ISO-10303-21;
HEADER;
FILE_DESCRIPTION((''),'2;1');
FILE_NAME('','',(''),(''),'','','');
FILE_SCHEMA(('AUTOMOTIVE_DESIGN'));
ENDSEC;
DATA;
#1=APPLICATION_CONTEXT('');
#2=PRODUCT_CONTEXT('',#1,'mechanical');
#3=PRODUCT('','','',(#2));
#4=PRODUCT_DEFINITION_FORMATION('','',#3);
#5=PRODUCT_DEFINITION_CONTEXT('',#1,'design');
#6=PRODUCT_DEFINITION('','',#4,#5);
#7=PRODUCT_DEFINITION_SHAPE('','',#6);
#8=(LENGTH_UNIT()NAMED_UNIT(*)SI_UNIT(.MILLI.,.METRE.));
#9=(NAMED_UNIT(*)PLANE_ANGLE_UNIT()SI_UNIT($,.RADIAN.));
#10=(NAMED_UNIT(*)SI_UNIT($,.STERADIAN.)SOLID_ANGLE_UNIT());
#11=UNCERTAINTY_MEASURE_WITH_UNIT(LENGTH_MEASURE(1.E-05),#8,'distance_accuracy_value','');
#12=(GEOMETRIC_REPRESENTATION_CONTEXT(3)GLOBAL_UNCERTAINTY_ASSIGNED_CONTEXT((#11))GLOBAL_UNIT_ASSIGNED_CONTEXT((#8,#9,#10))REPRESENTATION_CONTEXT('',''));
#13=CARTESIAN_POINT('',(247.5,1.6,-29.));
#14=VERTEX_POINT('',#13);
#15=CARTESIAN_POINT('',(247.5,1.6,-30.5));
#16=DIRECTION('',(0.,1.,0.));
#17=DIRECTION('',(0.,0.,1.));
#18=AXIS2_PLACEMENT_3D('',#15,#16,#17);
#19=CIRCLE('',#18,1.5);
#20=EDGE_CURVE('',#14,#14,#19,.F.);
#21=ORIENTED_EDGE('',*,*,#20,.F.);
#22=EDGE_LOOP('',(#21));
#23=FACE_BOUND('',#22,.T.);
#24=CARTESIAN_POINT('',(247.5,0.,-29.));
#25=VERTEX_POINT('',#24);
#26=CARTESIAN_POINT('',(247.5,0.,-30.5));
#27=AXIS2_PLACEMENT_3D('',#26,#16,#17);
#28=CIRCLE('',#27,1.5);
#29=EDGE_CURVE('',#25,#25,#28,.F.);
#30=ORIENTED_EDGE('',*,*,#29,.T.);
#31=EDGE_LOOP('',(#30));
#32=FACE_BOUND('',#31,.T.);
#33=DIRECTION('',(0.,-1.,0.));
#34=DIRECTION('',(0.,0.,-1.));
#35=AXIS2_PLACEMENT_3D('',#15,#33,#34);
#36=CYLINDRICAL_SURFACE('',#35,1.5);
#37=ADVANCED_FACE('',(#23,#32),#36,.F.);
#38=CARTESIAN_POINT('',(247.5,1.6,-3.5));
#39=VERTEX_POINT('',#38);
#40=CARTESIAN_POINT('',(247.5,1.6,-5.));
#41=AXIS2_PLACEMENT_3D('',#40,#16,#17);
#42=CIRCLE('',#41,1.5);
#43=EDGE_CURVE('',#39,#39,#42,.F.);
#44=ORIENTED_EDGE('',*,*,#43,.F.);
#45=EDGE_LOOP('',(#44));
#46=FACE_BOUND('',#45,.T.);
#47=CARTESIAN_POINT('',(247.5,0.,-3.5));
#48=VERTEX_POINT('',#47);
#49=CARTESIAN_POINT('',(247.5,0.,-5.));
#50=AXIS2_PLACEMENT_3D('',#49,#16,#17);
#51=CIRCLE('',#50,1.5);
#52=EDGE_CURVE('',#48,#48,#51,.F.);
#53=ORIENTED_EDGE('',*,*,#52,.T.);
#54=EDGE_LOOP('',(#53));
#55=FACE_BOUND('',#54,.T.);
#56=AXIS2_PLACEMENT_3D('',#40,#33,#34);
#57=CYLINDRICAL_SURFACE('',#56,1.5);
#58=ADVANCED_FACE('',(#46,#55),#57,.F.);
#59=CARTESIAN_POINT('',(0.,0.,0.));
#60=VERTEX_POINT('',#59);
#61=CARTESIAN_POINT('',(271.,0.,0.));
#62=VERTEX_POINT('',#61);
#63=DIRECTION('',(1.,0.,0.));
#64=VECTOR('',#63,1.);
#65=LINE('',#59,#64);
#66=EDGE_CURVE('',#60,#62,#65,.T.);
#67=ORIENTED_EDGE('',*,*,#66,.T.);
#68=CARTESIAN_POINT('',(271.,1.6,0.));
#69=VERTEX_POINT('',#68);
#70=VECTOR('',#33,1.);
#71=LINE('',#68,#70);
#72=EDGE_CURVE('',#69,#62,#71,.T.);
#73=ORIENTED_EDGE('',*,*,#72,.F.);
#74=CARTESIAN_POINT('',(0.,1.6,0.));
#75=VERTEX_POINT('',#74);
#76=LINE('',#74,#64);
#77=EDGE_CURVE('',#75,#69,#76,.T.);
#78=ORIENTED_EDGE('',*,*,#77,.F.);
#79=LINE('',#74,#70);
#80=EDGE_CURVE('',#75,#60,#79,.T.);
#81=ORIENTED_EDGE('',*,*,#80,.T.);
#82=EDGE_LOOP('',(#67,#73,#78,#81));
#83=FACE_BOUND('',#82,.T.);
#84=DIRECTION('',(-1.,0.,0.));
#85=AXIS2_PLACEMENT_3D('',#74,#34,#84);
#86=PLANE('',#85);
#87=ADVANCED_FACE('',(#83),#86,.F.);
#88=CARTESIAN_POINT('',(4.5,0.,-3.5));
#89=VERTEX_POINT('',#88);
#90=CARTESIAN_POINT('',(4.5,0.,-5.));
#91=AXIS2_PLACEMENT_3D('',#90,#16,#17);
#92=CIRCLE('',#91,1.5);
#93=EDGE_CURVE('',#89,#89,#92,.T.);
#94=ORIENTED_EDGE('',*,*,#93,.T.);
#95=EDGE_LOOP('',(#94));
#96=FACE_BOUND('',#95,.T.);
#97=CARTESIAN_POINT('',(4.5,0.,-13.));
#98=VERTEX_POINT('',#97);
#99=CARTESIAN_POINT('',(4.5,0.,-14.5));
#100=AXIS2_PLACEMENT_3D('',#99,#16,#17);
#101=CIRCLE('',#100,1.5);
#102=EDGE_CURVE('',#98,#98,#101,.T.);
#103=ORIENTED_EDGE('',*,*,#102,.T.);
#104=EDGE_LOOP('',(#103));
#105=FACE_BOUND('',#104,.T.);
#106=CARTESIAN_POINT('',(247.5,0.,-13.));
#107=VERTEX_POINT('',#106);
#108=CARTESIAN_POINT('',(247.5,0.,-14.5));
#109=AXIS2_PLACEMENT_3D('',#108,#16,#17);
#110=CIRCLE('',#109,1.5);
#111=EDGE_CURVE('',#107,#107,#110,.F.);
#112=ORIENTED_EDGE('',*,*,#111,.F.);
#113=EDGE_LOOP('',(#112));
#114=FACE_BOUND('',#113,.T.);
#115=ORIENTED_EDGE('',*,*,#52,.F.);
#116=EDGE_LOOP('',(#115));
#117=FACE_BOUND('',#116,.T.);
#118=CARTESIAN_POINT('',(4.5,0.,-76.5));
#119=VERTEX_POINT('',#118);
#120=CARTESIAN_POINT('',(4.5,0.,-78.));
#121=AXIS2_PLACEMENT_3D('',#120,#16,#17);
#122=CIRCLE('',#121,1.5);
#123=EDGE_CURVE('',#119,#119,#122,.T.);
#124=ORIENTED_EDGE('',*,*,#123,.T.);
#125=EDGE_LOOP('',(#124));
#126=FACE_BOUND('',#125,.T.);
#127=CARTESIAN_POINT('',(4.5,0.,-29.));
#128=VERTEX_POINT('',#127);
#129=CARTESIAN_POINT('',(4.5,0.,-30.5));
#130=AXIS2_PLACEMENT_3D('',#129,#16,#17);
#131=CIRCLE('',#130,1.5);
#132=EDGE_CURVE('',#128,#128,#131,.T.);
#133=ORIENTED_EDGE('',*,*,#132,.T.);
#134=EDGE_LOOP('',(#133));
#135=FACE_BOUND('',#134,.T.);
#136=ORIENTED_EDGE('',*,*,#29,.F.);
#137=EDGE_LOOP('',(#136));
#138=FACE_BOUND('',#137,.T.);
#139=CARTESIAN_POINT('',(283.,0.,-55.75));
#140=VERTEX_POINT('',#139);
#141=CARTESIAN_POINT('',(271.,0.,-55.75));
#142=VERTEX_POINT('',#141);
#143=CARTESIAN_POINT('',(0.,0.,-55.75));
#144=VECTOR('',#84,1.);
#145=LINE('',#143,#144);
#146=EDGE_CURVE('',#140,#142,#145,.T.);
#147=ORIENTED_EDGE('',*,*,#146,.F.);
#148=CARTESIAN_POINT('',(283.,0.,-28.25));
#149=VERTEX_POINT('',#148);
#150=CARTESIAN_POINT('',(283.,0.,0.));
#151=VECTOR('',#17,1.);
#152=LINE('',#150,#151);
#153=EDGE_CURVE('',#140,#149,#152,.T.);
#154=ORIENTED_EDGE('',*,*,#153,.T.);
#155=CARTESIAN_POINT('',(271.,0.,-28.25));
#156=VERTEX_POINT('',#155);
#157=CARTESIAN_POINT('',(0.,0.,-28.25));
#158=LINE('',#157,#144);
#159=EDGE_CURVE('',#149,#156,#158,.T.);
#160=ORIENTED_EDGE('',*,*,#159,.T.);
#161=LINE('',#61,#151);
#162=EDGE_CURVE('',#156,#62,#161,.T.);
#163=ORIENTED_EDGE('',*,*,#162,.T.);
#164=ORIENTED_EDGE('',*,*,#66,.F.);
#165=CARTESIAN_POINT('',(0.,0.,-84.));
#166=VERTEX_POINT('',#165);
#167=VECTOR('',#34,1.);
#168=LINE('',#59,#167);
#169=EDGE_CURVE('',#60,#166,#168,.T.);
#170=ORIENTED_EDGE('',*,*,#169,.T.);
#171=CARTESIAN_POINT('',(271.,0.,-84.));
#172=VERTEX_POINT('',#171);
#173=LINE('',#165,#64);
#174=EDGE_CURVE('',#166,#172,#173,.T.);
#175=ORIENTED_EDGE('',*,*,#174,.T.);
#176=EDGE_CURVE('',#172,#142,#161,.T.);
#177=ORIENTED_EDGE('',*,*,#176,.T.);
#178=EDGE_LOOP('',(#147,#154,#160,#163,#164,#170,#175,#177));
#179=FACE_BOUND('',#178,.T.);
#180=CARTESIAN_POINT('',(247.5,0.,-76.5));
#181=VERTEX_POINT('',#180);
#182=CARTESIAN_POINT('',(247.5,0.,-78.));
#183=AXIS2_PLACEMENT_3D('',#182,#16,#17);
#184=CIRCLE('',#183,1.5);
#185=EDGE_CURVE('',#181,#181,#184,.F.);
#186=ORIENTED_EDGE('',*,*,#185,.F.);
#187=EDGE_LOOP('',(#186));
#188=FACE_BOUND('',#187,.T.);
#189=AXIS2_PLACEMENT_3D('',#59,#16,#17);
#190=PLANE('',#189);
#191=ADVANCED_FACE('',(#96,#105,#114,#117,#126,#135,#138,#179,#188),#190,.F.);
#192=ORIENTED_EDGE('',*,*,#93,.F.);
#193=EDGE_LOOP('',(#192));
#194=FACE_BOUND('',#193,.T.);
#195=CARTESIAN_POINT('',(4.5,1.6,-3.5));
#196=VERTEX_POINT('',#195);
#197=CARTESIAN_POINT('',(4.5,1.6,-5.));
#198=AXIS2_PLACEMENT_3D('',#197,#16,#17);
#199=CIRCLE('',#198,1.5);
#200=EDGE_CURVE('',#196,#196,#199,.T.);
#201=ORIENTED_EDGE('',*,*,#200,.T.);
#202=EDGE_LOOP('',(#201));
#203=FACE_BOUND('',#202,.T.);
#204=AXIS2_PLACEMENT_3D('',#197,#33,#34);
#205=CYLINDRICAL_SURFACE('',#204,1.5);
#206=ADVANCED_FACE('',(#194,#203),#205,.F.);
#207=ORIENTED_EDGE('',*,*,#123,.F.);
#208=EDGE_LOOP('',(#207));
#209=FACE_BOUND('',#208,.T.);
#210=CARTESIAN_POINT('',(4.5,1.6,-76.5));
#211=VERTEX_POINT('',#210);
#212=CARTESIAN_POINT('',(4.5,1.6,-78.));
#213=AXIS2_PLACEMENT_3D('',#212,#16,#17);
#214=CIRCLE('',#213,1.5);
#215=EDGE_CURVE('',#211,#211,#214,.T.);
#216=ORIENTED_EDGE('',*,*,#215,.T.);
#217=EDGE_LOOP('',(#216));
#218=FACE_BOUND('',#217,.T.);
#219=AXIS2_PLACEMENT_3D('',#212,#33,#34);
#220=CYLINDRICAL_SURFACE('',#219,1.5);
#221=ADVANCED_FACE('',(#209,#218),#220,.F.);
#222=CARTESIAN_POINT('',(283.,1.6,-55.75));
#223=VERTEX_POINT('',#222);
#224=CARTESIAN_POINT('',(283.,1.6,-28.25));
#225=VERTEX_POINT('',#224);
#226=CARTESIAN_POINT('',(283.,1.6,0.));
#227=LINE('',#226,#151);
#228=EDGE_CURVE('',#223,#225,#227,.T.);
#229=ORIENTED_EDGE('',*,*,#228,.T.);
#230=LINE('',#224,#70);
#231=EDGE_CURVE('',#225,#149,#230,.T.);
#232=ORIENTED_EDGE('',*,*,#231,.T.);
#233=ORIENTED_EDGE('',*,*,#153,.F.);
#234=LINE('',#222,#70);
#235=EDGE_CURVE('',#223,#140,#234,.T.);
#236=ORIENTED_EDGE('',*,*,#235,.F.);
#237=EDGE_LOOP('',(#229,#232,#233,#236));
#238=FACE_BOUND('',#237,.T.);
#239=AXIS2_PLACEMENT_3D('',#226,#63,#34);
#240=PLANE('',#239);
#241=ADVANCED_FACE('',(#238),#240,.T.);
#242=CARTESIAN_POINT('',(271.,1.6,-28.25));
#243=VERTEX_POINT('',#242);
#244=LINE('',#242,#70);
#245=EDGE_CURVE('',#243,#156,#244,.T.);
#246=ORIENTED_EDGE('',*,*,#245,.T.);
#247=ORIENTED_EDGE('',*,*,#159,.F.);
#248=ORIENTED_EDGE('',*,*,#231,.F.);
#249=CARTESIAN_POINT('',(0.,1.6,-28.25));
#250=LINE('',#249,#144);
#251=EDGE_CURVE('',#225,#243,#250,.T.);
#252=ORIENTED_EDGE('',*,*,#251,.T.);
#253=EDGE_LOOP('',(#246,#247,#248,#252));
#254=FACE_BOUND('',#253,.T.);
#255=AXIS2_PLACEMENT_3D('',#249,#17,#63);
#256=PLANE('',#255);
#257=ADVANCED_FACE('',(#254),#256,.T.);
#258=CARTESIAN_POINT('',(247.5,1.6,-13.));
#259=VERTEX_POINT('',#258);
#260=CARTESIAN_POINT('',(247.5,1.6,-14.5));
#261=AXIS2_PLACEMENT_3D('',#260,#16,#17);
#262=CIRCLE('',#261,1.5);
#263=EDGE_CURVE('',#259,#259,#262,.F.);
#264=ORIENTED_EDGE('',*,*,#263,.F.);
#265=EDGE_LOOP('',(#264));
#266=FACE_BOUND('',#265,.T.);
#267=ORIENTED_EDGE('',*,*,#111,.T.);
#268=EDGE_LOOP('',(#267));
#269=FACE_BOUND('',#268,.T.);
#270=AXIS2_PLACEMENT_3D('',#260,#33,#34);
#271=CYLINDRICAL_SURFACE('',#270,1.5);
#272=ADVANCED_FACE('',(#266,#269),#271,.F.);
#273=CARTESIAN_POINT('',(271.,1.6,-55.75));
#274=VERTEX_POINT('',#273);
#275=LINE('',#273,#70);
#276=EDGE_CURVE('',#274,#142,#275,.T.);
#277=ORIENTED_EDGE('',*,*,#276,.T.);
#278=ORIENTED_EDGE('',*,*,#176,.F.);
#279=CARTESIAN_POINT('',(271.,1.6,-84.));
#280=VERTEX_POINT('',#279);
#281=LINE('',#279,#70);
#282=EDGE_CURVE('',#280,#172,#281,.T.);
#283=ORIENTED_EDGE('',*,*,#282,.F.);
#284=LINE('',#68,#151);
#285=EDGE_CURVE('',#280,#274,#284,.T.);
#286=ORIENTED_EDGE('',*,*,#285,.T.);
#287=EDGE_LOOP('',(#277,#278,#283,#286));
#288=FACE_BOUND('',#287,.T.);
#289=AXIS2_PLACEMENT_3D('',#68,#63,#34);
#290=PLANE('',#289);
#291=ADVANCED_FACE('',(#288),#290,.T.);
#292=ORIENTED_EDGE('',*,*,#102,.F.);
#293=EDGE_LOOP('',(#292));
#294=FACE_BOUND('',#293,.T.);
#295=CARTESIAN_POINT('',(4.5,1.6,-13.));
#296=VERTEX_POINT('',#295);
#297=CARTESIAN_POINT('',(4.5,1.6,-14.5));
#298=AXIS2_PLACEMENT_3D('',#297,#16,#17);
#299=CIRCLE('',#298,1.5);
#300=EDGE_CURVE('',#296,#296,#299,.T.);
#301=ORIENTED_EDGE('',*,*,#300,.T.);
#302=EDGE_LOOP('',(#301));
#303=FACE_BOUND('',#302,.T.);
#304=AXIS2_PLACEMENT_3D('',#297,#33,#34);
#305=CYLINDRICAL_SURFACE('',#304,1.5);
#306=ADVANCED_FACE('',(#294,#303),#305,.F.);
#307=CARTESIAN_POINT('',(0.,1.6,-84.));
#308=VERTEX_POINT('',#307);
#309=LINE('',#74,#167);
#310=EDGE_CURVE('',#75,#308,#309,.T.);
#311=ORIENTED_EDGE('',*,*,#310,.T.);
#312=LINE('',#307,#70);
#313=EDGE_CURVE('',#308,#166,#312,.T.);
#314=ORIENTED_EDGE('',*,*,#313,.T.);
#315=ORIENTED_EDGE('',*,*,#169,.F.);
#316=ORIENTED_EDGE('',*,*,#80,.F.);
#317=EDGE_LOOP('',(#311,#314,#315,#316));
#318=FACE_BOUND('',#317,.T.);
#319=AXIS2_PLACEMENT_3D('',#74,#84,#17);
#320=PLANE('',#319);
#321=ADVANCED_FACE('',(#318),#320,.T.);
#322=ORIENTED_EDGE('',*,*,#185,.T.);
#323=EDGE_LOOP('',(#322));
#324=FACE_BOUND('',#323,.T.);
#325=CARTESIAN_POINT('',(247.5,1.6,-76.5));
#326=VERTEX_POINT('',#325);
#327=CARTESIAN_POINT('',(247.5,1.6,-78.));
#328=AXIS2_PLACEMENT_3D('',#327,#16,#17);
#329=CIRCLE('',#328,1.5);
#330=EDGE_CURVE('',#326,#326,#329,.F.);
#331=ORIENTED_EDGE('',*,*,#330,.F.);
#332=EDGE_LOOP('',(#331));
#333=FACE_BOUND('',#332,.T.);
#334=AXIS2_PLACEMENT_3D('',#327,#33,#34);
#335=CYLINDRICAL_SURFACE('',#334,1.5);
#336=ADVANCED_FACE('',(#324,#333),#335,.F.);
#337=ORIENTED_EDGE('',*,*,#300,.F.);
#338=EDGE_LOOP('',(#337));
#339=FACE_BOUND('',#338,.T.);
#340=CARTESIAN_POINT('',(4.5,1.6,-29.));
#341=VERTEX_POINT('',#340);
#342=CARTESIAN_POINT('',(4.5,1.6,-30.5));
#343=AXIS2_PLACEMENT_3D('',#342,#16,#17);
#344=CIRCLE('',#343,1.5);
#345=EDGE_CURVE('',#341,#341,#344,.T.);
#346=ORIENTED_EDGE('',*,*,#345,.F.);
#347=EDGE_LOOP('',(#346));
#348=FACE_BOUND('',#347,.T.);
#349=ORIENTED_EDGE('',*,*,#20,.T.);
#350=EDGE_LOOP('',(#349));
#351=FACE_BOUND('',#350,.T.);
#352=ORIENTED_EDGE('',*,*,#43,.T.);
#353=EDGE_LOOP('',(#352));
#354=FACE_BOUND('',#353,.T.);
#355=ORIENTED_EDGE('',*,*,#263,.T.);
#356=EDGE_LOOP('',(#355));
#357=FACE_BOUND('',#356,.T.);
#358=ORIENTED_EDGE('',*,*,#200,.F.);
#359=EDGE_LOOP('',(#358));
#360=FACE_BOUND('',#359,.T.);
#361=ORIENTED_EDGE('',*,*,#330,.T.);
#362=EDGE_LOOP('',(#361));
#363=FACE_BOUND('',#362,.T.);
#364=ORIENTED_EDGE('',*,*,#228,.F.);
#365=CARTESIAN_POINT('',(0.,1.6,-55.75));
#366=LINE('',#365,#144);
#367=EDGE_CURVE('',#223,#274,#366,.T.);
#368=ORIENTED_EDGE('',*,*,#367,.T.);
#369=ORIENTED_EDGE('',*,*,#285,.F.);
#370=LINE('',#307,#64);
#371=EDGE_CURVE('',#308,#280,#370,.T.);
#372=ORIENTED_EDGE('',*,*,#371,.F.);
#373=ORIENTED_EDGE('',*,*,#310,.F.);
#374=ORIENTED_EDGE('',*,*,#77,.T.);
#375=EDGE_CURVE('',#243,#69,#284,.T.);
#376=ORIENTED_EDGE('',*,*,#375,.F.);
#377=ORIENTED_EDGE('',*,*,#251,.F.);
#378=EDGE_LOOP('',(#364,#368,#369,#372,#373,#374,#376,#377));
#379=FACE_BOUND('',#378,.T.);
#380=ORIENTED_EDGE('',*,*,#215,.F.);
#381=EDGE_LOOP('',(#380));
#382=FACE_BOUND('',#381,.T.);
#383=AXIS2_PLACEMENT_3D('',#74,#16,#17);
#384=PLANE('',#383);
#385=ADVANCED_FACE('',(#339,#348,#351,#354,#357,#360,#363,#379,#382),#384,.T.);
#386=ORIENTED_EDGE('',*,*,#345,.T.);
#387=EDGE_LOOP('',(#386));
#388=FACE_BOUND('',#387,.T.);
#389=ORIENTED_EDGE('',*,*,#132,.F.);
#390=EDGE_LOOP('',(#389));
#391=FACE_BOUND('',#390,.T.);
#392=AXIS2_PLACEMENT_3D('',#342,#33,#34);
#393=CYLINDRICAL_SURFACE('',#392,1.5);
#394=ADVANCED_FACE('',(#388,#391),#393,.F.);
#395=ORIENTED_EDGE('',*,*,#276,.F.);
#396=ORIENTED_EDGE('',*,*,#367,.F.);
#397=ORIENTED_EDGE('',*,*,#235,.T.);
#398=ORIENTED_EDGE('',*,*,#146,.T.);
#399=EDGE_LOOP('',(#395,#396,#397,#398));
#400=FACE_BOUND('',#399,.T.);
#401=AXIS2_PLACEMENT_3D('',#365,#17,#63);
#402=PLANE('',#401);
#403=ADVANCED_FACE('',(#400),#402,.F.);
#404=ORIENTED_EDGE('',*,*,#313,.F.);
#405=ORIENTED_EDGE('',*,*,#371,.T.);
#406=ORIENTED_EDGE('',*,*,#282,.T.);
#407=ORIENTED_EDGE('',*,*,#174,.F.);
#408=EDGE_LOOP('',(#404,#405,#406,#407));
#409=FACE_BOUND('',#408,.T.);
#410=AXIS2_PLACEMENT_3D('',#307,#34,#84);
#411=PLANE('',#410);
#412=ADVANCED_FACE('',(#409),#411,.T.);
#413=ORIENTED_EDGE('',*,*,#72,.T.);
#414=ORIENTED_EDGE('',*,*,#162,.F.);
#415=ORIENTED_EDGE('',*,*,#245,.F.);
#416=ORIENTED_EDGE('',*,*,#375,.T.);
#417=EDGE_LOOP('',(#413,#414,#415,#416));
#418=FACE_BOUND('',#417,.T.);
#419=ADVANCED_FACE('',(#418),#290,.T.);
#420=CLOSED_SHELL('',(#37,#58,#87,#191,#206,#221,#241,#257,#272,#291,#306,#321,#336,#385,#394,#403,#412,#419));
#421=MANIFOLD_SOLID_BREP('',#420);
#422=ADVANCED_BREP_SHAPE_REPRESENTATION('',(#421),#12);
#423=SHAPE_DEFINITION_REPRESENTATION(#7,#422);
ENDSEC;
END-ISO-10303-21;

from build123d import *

# Parameters (mm, degrees)
SKETCH1_R           = 1.5
BOSS_EXTRUDE1_DEPTH = 1.6


with BuildPart() as part:
    # Sketch1 → Boss-Extrude1 (new body)
    with BuildSketch(Plane(origin=(0, 0, 0), x_dir=(1, 0, 0), z_dir=(0, 1, 0))):
        Polygon((271, 0), (271, 28.25), (283, 28.25), (283, 55.75), (271, 55.75), (271, 84), (0, 84), (0, 0), align=None)
        with Locations(Location((247.5, 30.5, 0), (0, 0, 270))):
            Circle(SKETCH1_R, mode=Mode.SUBTRACT)
        with Locations(Location((247.5, 78, 0), (0, 0, 270))):
            Circle(SKETCH1_R, mode=Mode.SUBTRACT)
        with Locations(Location((247.5, 5, 0), (0, 0, 270))):
            Circle(SKETCH1_R, mode=Mode.SUBTRACT)
        with Locations(Location((247.5, 14.5, 0), (0, 0, 270))):
            Circle(SKETCH1_R, mode=Mode.SUBTRACT)
        with Locations(Location((4.5, 78, 0), (0, 0, 270))):
            Circle(SKETCH1_R, mode=Mode.SUBTRACT)
        with Locations(Location((4.5, 5, 0), (0, 0, 270))):
            Circle(SKETCH1_R, mode=Mode.SUBTRACT)
        with Locations(Location((4.5, 14.5, 0), (0, 0, 270))):
            Circle(SKETCH1_R, mode=Mode.SUBTRACT)
        with Locations(Location((4.5, 30.5, 0), (0, 0, 270))):
            Circle(SKETCH1_R, mode=Mode.SUBTRACT)
    extrude(amount=BOSS_EXTRUDE1_DEPTH)


solid = part.part
